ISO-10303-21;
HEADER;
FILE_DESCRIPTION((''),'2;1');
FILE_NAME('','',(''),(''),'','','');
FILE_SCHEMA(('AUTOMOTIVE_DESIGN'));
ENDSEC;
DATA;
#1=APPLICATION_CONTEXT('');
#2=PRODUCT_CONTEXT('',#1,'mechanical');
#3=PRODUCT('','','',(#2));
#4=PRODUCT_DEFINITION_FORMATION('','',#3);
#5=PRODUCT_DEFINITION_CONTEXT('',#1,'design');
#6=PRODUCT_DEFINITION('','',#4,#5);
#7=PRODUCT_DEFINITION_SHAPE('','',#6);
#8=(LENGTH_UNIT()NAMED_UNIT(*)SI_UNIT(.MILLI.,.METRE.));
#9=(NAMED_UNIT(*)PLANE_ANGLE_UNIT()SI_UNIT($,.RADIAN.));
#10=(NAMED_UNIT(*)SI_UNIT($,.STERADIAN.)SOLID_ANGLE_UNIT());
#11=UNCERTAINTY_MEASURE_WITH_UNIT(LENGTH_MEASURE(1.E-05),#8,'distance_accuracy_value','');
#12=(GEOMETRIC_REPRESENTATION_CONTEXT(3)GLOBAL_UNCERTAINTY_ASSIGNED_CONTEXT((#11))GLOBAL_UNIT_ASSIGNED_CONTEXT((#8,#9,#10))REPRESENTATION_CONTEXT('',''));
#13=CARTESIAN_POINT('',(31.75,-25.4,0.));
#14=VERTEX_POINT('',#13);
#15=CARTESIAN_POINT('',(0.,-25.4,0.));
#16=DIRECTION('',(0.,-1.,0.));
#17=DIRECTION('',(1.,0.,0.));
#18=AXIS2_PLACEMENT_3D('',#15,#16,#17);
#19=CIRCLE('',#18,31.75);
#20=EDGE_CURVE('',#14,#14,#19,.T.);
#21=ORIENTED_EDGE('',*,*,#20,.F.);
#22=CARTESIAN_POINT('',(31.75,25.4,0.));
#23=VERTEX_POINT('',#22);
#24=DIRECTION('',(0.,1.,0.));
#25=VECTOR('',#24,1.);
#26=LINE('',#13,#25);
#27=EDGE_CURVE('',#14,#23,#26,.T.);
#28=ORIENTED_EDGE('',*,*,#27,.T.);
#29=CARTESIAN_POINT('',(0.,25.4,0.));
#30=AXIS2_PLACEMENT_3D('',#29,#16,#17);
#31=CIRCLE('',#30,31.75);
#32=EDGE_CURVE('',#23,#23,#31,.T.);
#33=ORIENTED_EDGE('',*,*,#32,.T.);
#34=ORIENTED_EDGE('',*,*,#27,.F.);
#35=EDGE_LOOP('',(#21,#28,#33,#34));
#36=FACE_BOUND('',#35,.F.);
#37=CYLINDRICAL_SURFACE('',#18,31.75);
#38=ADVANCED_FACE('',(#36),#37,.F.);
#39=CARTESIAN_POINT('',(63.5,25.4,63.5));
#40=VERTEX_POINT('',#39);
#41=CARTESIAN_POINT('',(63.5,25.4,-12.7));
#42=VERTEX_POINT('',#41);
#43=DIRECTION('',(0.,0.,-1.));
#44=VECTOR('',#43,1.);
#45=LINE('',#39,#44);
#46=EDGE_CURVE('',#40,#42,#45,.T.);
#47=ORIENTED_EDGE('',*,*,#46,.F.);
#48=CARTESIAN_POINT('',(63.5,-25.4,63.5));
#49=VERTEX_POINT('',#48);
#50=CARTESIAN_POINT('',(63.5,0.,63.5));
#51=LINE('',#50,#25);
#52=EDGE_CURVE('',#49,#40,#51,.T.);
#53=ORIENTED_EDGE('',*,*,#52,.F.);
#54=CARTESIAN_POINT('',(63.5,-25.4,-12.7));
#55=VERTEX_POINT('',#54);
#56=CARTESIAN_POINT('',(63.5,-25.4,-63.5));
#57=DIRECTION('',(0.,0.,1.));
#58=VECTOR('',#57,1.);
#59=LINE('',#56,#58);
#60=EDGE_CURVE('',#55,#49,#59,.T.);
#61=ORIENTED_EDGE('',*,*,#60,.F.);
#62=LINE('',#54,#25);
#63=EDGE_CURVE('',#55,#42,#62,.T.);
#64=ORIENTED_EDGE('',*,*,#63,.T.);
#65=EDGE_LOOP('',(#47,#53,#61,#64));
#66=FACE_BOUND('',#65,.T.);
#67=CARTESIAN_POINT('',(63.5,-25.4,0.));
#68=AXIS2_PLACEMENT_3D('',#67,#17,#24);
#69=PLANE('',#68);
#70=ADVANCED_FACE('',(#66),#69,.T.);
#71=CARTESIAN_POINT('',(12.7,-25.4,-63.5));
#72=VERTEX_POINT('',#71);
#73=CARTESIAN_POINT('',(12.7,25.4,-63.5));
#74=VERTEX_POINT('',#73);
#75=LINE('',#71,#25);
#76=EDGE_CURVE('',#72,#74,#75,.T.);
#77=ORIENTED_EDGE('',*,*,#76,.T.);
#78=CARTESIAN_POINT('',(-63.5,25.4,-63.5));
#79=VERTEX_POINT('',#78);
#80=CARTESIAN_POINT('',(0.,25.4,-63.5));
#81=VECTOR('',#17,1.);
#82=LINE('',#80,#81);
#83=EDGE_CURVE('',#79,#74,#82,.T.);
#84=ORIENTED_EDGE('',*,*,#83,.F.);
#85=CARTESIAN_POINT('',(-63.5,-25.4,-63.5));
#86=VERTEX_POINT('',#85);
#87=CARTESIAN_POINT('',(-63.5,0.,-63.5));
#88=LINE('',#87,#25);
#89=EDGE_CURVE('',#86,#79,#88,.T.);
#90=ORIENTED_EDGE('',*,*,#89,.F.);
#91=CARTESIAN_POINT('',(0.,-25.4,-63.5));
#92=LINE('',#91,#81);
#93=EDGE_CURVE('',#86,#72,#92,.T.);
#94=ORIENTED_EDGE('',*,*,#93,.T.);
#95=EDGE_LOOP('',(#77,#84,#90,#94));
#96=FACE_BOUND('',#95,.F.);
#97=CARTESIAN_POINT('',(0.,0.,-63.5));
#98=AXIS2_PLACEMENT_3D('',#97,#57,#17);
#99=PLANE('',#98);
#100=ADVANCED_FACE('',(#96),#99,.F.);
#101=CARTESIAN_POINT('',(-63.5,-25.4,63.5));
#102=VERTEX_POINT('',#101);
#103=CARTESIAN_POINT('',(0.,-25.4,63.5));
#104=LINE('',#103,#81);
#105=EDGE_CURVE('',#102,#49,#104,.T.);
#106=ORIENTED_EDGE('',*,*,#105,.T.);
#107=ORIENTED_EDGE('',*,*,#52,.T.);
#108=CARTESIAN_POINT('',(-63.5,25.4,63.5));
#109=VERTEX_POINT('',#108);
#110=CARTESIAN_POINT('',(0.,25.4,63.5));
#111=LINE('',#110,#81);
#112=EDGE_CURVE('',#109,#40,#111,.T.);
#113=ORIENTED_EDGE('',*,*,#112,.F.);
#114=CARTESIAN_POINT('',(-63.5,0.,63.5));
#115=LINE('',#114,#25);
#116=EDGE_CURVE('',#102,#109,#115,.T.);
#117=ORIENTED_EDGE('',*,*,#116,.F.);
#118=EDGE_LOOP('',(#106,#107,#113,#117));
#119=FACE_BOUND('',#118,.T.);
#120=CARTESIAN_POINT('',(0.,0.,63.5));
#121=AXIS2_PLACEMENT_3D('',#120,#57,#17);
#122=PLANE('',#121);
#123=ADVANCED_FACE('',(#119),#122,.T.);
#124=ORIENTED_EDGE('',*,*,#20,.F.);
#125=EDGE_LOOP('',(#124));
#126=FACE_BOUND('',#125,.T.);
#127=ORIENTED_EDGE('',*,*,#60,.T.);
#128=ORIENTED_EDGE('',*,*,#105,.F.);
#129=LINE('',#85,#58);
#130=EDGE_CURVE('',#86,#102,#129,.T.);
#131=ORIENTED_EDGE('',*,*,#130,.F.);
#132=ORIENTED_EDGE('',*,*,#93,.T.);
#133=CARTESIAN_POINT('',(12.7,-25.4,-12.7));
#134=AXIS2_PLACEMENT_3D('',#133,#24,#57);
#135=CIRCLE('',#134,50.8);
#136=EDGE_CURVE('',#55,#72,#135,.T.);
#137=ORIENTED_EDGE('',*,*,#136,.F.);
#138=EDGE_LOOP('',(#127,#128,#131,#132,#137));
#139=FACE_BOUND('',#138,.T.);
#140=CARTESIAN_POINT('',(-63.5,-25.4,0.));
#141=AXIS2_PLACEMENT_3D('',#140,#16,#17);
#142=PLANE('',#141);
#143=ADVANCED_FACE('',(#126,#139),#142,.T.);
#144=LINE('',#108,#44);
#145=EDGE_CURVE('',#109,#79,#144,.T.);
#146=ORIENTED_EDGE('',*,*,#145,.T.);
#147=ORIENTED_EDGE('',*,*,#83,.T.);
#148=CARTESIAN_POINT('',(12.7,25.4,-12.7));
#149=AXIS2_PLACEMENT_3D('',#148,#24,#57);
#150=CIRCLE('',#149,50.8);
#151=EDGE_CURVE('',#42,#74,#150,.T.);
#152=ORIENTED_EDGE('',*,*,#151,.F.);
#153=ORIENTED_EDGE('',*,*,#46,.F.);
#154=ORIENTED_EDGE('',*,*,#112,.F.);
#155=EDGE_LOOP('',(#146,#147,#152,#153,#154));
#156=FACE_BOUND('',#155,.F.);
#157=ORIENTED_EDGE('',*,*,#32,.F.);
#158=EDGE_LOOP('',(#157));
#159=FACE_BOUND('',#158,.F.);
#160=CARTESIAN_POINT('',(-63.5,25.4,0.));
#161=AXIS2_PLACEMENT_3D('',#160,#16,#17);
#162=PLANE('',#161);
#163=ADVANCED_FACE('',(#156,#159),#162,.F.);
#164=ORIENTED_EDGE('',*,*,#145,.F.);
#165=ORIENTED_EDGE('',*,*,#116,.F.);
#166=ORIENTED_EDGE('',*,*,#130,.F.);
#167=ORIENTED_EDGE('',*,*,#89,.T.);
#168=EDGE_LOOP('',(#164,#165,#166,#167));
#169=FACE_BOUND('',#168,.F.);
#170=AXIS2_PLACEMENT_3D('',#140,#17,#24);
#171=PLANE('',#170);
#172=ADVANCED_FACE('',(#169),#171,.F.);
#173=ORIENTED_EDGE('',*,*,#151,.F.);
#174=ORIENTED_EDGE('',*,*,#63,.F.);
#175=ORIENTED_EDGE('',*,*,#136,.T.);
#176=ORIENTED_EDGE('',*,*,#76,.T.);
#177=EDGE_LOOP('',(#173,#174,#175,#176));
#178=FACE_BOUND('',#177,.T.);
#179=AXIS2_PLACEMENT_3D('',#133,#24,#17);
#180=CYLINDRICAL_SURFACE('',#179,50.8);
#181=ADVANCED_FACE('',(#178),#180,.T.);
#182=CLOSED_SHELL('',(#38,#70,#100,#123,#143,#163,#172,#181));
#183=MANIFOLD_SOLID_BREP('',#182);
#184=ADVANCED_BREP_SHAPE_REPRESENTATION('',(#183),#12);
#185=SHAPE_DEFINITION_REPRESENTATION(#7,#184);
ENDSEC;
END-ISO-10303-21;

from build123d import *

# Parameters (mm, degrees)
F0_W     = 127
F0_H     = 50.8
F1_DEPTH = 63.5
F2_R     = 50.8
F3_R     = 31.75
F4_DEPTH = 50.801


with BuildPart() as f1:
    # F0 (on Top) → F1 (new body, symmetric)
    with BuildSketch(Plane.XY):
        Rectangle(F0_W, F0_H)
    extrude(amount=F1_DEPTH, both=True)

    # F2
    f2_edges = [f1.edges().sort_by_distance(p)[0] for p in [
        (63.5, 0, -63.5),
    ]]
    fillet(f2_edges, radius=F2_R)

    # F3 (on face) → F4 (cut, through all)
    with BuildSketch(Plane.XZ.offset(25.4)):
        Circle(F3_R)
    extrude(amount=-F4_DEPTH, mode=Mode.SUBTRACT)


solid = f1.part
